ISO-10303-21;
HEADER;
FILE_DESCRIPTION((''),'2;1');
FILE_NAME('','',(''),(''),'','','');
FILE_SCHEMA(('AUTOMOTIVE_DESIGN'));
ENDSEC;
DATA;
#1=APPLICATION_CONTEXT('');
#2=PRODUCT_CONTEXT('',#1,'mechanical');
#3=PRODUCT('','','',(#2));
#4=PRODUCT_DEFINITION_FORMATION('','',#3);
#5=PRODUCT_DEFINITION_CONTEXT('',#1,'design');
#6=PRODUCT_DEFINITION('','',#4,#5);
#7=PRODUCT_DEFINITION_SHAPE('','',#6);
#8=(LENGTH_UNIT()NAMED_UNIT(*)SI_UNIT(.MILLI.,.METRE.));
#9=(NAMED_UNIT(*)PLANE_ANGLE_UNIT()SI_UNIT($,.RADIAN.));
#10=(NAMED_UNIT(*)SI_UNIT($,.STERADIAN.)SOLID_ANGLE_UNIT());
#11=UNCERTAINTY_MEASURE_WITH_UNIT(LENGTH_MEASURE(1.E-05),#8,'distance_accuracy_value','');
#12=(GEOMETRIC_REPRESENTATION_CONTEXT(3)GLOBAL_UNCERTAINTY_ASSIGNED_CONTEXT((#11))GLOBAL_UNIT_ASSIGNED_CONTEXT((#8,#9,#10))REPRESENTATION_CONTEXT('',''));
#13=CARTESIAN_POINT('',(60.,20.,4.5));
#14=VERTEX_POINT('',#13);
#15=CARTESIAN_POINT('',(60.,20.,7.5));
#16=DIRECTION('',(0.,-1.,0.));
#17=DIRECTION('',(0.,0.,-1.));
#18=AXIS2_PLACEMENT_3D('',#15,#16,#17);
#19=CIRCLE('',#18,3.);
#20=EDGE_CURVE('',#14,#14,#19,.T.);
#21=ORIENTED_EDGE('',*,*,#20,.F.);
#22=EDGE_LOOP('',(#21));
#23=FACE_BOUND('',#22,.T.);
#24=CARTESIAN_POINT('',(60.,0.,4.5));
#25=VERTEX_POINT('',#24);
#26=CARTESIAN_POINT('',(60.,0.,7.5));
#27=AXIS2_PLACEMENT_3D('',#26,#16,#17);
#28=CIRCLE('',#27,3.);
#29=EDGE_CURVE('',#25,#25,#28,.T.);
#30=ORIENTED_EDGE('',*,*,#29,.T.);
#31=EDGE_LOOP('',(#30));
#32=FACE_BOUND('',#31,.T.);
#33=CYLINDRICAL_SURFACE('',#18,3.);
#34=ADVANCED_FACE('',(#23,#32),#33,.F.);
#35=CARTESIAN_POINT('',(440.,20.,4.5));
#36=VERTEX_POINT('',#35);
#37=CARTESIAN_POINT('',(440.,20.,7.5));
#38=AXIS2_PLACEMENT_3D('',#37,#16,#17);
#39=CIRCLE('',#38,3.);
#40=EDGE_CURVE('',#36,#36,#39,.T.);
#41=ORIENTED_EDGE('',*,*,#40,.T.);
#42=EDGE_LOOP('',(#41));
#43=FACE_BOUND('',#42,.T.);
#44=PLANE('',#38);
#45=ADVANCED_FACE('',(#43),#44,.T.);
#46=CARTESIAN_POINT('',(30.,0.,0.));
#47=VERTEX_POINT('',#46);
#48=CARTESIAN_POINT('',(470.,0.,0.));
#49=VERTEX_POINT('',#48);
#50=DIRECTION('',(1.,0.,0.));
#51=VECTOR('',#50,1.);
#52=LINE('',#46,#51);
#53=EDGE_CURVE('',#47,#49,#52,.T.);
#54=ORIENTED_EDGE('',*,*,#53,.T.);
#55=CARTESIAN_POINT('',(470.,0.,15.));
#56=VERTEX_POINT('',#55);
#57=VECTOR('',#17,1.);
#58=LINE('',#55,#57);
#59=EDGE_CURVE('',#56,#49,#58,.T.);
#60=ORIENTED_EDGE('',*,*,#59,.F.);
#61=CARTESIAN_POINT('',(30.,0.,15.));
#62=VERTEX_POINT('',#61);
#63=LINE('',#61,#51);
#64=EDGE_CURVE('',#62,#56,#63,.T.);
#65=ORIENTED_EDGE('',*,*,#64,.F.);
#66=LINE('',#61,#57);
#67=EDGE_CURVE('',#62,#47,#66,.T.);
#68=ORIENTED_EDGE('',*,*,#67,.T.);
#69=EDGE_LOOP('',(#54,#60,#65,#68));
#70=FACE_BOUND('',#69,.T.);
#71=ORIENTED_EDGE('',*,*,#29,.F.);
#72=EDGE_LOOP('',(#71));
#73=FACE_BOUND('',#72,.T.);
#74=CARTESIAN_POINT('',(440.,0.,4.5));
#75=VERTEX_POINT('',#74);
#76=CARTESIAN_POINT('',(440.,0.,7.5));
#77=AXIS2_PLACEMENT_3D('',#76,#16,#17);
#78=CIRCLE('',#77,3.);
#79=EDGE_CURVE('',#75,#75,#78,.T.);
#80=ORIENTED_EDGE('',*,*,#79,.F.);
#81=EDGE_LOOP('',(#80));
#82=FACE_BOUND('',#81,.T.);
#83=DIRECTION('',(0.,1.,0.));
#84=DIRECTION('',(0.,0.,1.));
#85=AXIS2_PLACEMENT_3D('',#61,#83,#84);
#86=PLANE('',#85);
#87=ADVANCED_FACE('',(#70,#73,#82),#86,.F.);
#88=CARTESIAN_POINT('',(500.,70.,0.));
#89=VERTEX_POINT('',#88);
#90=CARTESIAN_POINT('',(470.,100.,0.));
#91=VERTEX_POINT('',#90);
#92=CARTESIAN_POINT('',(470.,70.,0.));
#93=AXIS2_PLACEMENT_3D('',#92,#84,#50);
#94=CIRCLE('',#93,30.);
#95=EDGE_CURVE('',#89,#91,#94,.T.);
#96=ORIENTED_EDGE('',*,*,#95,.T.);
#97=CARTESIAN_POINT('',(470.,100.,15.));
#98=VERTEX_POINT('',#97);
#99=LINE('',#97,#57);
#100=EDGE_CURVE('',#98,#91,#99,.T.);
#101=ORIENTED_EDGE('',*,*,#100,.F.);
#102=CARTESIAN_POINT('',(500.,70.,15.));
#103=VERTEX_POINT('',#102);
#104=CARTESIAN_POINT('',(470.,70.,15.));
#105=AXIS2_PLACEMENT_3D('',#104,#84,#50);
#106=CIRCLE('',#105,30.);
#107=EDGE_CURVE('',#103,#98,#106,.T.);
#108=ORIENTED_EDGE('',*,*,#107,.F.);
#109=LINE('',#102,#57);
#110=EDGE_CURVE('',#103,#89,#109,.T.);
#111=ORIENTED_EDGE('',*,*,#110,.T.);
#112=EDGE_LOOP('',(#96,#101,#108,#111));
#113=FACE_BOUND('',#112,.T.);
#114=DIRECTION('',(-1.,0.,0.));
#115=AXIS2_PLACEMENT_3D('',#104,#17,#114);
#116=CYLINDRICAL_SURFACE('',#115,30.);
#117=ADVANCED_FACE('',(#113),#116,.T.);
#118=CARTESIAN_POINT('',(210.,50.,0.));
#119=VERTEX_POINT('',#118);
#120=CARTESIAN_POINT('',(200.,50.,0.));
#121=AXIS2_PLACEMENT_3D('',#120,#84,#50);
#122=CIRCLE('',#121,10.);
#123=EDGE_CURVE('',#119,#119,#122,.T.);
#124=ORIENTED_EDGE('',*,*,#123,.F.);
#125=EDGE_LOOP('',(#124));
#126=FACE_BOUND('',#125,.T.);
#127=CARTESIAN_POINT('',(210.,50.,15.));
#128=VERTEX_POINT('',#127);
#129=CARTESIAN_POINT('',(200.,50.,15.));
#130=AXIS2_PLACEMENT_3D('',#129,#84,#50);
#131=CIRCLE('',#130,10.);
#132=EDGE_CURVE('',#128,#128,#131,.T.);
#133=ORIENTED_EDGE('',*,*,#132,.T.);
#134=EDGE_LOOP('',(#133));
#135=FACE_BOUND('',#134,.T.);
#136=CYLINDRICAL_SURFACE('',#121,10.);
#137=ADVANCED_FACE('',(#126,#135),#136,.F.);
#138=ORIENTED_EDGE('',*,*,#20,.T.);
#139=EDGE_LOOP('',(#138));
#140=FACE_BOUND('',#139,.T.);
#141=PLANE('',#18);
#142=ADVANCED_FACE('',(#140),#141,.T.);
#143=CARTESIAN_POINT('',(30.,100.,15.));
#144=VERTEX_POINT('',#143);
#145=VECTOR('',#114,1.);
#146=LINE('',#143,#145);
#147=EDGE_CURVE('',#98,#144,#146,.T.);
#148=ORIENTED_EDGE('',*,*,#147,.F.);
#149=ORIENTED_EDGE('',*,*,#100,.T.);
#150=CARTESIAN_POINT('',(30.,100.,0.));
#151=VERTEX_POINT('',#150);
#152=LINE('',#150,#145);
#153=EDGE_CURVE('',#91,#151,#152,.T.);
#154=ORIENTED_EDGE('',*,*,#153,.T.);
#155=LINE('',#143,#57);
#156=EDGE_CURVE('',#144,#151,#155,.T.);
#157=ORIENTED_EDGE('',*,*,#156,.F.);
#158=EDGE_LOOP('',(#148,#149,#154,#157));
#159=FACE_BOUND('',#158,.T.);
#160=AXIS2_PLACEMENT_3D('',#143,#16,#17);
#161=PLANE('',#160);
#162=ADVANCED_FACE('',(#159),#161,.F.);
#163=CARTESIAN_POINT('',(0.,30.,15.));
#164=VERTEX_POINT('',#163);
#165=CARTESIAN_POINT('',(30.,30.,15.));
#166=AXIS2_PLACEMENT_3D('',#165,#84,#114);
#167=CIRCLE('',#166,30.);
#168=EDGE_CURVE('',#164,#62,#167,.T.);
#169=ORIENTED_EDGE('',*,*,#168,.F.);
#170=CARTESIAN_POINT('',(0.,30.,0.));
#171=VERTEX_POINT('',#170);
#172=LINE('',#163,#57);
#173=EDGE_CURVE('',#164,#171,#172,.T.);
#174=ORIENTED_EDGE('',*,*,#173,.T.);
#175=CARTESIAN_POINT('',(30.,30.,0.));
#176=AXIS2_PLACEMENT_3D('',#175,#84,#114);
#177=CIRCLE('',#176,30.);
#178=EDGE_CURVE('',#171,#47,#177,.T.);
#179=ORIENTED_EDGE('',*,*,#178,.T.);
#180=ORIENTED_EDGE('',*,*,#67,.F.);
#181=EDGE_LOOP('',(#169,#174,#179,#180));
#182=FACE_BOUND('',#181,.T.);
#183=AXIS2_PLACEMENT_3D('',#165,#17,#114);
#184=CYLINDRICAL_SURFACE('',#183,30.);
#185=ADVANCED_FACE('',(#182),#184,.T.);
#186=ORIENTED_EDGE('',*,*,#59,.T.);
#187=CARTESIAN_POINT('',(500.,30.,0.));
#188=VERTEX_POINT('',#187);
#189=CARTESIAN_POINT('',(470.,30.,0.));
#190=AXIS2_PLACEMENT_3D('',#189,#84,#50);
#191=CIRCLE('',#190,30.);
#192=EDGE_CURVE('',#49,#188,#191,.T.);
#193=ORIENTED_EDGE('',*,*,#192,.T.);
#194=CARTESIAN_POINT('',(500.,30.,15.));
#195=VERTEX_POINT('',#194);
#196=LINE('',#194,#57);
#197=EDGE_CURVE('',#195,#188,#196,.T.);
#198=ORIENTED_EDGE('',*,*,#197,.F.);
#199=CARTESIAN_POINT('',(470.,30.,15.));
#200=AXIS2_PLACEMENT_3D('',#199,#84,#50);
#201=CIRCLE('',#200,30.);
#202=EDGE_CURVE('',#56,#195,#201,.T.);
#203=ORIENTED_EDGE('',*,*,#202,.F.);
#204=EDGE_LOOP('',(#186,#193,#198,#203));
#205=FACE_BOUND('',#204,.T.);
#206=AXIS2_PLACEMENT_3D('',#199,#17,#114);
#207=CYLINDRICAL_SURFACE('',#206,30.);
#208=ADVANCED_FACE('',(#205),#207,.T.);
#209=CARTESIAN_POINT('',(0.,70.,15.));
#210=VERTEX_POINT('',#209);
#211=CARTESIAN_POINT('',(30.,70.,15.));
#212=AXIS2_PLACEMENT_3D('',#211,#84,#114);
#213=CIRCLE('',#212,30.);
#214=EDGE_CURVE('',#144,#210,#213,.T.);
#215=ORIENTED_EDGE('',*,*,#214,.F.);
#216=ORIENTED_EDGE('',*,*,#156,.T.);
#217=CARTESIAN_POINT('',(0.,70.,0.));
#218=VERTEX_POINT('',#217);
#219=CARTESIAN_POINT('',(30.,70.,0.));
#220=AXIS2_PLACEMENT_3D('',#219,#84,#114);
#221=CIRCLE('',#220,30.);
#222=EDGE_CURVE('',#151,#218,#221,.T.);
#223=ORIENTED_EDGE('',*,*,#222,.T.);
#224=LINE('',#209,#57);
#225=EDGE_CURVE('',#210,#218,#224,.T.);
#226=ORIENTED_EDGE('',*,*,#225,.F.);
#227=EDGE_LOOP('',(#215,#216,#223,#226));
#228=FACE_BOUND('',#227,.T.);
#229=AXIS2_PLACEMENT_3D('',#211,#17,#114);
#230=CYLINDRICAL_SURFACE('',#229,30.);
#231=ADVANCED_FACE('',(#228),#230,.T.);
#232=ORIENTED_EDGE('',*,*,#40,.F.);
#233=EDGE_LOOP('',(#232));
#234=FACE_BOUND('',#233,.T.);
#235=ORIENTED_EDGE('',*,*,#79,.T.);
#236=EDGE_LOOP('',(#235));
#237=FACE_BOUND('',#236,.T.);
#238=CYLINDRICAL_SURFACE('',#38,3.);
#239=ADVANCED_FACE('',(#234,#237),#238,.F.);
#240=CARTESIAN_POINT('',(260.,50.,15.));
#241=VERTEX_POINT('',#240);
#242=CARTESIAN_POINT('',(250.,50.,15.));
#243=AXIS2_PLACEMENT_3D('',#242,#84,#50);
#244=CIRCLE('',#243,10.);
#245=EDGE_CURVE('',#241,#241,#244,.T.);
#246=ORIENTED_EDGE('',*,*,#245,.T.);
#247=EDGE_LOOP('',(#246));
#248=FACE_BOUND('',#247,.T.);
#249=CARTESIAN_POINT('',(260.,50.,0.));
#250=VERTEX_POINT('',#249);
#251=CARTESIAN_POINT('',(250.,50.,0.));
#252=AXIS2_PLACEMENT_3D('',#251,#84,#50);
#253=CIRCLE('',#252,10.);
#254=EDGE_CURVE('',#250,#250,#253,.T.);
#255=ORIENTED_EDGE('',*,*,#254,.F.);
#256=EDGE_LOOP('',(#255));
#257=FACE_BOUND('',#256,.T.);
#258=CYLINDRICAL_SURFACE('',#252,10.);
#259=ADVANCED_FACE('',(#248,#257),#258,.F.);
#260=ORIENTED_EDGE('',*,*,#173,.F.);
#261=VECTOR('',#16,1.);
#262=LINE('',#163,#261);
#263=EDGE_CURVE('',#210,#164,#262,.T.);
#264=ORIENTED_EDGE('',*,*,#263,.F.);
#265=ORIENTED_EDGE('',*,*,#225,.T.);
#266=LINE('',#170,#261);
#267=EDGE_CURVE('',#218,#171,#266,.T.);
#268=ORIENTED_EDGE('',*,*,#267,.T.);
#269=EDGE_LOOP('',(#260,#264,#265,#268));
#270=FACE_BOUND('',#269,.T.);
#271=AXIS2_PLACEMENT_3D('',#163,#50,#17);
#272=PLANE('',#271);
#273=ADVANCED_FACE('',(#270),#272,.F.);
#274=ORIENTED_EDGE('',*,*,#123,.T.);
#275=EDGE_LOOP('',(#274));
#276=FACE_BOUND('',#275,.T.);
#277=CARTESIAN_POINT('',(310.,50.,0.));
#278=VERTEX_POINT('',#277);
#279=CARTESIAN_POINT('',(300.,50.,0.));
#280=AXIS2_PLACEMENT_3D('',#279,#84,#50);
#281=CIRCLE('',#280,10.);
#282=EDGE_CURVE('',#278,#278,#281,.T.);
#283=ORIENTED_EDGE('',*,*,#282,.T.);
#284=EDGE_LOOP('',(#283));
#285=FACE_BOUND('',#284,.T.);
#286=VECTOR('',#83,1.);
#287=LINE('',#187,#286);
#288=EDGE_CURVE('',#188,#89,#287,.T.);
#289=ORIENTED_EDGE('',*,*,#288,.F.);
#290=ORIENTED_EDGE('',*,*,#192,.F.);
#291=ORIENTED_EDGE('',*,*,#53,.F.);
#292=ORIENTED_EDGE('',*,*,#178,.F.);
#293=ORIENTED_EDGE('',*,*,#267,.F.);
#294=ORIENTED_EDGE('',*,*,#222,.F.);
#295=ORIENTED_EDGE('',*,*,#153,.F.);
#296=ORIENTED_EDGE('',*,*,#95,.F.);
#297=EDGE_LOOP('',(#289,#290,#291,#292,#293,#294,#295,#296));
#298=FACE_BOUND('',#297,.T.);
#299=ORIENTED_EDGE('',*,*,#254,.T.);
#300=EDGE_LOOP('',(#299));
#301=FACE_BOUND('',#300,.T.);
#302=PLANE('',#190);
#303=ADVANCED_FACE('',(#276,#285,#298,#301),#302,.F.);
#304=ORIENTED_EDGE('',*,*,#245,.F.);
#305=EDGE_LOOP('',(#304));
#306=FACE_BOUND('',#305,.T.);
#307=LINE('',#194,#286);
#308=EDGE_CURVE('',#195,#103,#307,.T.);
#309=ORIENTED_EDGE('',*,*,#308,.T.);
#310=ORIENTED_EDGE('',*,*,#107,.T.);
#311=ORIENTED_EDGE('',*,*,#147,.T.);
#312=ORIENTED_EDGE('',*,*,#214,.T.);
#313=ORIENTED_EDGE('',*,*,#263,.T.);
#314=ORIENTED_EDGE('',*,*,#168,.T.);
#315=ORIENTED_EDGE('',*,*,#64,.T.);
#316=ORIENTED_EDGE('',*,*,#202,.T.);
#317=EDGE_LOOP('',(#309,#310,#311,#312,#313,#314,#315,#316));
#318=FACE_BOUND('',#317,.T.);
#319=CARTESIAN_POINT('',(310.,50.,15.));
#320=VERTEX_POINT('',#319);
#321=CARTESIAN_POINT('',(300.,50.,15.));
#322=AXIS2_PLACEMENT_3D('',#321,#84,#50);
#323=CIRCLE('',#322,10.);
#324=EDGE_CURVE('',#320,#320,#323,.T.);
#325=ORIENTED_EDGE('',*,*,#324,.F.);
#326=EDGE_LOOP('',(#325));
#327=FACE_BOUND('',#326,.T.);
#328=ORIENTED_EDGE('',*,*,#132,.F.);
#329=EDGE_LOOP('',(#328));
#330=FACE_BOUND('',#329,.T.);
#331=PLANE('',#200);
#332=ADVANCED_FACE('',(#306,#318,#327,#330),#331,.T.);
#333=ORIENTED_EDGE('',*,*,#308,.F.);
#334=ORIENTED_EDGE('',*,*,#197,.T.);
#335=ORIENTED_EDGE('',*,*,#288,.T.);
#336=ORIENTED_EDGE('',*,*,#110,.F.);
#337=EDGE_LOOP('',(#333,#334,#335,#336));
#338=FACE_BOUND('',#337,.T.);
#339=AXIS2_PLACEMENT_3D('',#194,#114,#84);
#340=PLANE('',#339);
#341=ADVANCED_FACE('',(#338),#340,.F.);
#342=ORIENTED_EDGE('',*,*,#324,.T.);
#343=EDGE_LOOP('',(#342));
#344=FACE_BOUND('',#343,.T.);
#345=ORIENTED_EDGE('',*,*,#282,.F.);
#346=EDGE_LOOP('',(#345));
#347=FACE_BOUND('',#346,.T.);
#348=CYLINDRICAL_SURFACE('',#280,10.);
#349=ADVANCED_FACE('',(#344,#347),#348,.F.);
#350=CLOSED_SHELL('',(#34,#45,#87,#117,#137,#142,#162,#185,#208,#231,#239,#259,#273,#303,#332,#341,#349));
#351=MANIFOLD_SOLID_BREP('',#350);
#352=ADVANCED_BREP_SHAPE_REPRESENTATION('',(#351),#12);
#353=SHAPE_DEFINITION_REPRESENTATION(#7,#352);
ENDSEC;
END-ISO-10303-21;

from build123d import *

# Parameters (mm, degrees)
BOSS_EXTRU_1_DEPTH      = 15
ESQUISSE2_R             = 10
ENL_V_MAT_EXTRU_2_DEPTH = 511.122534299
ESQUISSE3_R             = 3
ENL_V_MAT_EXTRU_3_DEPTH = 20


with BuildPart() as part:
    # Esquisse1 → Boss.-Extru.1 (new body)
    with BuildSketch(Plane.XY):
        with BuildLine():
            Line((30, 0), (470, 0))
            ThreePointArc((470, 0), (491.213203436, 8.786796564), (500, 30))
            Line((500, 30), (500, 70))
            ThreePointArc((500, 70), (491.213203436, 91.213203436), (470, 100))
            Line((470, 100), (30, 100))
            ThreePointArc((30, 100), (8.786796564, 91.213203436), (0, 70))
            Line((0, 70), (0, 30))
            ThreePointArc((0, 30), (8.786796564, 8.786796564), (30, 0))
        make_face()
    extrude(amount=BOSS_EXTRU_1_DEPTH)

    # Esquisse2 → Enlèv. mat.-Extru.2 (cut, through all)
    with BuildSketch(Plane.XY.offset(15)):
        with Locations((200, 50)):
            Circle(ESQUISSE2_R)
        with Locations((250, 50)):
            Circle(ESQUISSE2_R)
        with Locations((300, 50)):
            Circle(ESQUISSE2_R)
    extrude(amount=-ENL_V_MAT_EXTRU_2_DEPTH, mode=Mode.SUBTRACT)

    # Esquisse3 → Enlèv. mat.-Extru.3 (cut)
    with BuildSketch(Plane.XZ):
        with Locations(Location((60, 7.5, 0), (0, 0, 270))):
            Circle(ESQUISSE3_R)
        with Locations(Location((440, 7.5, 0), (0, 0, 270))):
            Circle(ESQUISSE3_R)
    extrude(amount=-ENL_V_MAT_EXTRU_3_DEPTH, mode=Mode.SUBTRACT)


solid = part.part
